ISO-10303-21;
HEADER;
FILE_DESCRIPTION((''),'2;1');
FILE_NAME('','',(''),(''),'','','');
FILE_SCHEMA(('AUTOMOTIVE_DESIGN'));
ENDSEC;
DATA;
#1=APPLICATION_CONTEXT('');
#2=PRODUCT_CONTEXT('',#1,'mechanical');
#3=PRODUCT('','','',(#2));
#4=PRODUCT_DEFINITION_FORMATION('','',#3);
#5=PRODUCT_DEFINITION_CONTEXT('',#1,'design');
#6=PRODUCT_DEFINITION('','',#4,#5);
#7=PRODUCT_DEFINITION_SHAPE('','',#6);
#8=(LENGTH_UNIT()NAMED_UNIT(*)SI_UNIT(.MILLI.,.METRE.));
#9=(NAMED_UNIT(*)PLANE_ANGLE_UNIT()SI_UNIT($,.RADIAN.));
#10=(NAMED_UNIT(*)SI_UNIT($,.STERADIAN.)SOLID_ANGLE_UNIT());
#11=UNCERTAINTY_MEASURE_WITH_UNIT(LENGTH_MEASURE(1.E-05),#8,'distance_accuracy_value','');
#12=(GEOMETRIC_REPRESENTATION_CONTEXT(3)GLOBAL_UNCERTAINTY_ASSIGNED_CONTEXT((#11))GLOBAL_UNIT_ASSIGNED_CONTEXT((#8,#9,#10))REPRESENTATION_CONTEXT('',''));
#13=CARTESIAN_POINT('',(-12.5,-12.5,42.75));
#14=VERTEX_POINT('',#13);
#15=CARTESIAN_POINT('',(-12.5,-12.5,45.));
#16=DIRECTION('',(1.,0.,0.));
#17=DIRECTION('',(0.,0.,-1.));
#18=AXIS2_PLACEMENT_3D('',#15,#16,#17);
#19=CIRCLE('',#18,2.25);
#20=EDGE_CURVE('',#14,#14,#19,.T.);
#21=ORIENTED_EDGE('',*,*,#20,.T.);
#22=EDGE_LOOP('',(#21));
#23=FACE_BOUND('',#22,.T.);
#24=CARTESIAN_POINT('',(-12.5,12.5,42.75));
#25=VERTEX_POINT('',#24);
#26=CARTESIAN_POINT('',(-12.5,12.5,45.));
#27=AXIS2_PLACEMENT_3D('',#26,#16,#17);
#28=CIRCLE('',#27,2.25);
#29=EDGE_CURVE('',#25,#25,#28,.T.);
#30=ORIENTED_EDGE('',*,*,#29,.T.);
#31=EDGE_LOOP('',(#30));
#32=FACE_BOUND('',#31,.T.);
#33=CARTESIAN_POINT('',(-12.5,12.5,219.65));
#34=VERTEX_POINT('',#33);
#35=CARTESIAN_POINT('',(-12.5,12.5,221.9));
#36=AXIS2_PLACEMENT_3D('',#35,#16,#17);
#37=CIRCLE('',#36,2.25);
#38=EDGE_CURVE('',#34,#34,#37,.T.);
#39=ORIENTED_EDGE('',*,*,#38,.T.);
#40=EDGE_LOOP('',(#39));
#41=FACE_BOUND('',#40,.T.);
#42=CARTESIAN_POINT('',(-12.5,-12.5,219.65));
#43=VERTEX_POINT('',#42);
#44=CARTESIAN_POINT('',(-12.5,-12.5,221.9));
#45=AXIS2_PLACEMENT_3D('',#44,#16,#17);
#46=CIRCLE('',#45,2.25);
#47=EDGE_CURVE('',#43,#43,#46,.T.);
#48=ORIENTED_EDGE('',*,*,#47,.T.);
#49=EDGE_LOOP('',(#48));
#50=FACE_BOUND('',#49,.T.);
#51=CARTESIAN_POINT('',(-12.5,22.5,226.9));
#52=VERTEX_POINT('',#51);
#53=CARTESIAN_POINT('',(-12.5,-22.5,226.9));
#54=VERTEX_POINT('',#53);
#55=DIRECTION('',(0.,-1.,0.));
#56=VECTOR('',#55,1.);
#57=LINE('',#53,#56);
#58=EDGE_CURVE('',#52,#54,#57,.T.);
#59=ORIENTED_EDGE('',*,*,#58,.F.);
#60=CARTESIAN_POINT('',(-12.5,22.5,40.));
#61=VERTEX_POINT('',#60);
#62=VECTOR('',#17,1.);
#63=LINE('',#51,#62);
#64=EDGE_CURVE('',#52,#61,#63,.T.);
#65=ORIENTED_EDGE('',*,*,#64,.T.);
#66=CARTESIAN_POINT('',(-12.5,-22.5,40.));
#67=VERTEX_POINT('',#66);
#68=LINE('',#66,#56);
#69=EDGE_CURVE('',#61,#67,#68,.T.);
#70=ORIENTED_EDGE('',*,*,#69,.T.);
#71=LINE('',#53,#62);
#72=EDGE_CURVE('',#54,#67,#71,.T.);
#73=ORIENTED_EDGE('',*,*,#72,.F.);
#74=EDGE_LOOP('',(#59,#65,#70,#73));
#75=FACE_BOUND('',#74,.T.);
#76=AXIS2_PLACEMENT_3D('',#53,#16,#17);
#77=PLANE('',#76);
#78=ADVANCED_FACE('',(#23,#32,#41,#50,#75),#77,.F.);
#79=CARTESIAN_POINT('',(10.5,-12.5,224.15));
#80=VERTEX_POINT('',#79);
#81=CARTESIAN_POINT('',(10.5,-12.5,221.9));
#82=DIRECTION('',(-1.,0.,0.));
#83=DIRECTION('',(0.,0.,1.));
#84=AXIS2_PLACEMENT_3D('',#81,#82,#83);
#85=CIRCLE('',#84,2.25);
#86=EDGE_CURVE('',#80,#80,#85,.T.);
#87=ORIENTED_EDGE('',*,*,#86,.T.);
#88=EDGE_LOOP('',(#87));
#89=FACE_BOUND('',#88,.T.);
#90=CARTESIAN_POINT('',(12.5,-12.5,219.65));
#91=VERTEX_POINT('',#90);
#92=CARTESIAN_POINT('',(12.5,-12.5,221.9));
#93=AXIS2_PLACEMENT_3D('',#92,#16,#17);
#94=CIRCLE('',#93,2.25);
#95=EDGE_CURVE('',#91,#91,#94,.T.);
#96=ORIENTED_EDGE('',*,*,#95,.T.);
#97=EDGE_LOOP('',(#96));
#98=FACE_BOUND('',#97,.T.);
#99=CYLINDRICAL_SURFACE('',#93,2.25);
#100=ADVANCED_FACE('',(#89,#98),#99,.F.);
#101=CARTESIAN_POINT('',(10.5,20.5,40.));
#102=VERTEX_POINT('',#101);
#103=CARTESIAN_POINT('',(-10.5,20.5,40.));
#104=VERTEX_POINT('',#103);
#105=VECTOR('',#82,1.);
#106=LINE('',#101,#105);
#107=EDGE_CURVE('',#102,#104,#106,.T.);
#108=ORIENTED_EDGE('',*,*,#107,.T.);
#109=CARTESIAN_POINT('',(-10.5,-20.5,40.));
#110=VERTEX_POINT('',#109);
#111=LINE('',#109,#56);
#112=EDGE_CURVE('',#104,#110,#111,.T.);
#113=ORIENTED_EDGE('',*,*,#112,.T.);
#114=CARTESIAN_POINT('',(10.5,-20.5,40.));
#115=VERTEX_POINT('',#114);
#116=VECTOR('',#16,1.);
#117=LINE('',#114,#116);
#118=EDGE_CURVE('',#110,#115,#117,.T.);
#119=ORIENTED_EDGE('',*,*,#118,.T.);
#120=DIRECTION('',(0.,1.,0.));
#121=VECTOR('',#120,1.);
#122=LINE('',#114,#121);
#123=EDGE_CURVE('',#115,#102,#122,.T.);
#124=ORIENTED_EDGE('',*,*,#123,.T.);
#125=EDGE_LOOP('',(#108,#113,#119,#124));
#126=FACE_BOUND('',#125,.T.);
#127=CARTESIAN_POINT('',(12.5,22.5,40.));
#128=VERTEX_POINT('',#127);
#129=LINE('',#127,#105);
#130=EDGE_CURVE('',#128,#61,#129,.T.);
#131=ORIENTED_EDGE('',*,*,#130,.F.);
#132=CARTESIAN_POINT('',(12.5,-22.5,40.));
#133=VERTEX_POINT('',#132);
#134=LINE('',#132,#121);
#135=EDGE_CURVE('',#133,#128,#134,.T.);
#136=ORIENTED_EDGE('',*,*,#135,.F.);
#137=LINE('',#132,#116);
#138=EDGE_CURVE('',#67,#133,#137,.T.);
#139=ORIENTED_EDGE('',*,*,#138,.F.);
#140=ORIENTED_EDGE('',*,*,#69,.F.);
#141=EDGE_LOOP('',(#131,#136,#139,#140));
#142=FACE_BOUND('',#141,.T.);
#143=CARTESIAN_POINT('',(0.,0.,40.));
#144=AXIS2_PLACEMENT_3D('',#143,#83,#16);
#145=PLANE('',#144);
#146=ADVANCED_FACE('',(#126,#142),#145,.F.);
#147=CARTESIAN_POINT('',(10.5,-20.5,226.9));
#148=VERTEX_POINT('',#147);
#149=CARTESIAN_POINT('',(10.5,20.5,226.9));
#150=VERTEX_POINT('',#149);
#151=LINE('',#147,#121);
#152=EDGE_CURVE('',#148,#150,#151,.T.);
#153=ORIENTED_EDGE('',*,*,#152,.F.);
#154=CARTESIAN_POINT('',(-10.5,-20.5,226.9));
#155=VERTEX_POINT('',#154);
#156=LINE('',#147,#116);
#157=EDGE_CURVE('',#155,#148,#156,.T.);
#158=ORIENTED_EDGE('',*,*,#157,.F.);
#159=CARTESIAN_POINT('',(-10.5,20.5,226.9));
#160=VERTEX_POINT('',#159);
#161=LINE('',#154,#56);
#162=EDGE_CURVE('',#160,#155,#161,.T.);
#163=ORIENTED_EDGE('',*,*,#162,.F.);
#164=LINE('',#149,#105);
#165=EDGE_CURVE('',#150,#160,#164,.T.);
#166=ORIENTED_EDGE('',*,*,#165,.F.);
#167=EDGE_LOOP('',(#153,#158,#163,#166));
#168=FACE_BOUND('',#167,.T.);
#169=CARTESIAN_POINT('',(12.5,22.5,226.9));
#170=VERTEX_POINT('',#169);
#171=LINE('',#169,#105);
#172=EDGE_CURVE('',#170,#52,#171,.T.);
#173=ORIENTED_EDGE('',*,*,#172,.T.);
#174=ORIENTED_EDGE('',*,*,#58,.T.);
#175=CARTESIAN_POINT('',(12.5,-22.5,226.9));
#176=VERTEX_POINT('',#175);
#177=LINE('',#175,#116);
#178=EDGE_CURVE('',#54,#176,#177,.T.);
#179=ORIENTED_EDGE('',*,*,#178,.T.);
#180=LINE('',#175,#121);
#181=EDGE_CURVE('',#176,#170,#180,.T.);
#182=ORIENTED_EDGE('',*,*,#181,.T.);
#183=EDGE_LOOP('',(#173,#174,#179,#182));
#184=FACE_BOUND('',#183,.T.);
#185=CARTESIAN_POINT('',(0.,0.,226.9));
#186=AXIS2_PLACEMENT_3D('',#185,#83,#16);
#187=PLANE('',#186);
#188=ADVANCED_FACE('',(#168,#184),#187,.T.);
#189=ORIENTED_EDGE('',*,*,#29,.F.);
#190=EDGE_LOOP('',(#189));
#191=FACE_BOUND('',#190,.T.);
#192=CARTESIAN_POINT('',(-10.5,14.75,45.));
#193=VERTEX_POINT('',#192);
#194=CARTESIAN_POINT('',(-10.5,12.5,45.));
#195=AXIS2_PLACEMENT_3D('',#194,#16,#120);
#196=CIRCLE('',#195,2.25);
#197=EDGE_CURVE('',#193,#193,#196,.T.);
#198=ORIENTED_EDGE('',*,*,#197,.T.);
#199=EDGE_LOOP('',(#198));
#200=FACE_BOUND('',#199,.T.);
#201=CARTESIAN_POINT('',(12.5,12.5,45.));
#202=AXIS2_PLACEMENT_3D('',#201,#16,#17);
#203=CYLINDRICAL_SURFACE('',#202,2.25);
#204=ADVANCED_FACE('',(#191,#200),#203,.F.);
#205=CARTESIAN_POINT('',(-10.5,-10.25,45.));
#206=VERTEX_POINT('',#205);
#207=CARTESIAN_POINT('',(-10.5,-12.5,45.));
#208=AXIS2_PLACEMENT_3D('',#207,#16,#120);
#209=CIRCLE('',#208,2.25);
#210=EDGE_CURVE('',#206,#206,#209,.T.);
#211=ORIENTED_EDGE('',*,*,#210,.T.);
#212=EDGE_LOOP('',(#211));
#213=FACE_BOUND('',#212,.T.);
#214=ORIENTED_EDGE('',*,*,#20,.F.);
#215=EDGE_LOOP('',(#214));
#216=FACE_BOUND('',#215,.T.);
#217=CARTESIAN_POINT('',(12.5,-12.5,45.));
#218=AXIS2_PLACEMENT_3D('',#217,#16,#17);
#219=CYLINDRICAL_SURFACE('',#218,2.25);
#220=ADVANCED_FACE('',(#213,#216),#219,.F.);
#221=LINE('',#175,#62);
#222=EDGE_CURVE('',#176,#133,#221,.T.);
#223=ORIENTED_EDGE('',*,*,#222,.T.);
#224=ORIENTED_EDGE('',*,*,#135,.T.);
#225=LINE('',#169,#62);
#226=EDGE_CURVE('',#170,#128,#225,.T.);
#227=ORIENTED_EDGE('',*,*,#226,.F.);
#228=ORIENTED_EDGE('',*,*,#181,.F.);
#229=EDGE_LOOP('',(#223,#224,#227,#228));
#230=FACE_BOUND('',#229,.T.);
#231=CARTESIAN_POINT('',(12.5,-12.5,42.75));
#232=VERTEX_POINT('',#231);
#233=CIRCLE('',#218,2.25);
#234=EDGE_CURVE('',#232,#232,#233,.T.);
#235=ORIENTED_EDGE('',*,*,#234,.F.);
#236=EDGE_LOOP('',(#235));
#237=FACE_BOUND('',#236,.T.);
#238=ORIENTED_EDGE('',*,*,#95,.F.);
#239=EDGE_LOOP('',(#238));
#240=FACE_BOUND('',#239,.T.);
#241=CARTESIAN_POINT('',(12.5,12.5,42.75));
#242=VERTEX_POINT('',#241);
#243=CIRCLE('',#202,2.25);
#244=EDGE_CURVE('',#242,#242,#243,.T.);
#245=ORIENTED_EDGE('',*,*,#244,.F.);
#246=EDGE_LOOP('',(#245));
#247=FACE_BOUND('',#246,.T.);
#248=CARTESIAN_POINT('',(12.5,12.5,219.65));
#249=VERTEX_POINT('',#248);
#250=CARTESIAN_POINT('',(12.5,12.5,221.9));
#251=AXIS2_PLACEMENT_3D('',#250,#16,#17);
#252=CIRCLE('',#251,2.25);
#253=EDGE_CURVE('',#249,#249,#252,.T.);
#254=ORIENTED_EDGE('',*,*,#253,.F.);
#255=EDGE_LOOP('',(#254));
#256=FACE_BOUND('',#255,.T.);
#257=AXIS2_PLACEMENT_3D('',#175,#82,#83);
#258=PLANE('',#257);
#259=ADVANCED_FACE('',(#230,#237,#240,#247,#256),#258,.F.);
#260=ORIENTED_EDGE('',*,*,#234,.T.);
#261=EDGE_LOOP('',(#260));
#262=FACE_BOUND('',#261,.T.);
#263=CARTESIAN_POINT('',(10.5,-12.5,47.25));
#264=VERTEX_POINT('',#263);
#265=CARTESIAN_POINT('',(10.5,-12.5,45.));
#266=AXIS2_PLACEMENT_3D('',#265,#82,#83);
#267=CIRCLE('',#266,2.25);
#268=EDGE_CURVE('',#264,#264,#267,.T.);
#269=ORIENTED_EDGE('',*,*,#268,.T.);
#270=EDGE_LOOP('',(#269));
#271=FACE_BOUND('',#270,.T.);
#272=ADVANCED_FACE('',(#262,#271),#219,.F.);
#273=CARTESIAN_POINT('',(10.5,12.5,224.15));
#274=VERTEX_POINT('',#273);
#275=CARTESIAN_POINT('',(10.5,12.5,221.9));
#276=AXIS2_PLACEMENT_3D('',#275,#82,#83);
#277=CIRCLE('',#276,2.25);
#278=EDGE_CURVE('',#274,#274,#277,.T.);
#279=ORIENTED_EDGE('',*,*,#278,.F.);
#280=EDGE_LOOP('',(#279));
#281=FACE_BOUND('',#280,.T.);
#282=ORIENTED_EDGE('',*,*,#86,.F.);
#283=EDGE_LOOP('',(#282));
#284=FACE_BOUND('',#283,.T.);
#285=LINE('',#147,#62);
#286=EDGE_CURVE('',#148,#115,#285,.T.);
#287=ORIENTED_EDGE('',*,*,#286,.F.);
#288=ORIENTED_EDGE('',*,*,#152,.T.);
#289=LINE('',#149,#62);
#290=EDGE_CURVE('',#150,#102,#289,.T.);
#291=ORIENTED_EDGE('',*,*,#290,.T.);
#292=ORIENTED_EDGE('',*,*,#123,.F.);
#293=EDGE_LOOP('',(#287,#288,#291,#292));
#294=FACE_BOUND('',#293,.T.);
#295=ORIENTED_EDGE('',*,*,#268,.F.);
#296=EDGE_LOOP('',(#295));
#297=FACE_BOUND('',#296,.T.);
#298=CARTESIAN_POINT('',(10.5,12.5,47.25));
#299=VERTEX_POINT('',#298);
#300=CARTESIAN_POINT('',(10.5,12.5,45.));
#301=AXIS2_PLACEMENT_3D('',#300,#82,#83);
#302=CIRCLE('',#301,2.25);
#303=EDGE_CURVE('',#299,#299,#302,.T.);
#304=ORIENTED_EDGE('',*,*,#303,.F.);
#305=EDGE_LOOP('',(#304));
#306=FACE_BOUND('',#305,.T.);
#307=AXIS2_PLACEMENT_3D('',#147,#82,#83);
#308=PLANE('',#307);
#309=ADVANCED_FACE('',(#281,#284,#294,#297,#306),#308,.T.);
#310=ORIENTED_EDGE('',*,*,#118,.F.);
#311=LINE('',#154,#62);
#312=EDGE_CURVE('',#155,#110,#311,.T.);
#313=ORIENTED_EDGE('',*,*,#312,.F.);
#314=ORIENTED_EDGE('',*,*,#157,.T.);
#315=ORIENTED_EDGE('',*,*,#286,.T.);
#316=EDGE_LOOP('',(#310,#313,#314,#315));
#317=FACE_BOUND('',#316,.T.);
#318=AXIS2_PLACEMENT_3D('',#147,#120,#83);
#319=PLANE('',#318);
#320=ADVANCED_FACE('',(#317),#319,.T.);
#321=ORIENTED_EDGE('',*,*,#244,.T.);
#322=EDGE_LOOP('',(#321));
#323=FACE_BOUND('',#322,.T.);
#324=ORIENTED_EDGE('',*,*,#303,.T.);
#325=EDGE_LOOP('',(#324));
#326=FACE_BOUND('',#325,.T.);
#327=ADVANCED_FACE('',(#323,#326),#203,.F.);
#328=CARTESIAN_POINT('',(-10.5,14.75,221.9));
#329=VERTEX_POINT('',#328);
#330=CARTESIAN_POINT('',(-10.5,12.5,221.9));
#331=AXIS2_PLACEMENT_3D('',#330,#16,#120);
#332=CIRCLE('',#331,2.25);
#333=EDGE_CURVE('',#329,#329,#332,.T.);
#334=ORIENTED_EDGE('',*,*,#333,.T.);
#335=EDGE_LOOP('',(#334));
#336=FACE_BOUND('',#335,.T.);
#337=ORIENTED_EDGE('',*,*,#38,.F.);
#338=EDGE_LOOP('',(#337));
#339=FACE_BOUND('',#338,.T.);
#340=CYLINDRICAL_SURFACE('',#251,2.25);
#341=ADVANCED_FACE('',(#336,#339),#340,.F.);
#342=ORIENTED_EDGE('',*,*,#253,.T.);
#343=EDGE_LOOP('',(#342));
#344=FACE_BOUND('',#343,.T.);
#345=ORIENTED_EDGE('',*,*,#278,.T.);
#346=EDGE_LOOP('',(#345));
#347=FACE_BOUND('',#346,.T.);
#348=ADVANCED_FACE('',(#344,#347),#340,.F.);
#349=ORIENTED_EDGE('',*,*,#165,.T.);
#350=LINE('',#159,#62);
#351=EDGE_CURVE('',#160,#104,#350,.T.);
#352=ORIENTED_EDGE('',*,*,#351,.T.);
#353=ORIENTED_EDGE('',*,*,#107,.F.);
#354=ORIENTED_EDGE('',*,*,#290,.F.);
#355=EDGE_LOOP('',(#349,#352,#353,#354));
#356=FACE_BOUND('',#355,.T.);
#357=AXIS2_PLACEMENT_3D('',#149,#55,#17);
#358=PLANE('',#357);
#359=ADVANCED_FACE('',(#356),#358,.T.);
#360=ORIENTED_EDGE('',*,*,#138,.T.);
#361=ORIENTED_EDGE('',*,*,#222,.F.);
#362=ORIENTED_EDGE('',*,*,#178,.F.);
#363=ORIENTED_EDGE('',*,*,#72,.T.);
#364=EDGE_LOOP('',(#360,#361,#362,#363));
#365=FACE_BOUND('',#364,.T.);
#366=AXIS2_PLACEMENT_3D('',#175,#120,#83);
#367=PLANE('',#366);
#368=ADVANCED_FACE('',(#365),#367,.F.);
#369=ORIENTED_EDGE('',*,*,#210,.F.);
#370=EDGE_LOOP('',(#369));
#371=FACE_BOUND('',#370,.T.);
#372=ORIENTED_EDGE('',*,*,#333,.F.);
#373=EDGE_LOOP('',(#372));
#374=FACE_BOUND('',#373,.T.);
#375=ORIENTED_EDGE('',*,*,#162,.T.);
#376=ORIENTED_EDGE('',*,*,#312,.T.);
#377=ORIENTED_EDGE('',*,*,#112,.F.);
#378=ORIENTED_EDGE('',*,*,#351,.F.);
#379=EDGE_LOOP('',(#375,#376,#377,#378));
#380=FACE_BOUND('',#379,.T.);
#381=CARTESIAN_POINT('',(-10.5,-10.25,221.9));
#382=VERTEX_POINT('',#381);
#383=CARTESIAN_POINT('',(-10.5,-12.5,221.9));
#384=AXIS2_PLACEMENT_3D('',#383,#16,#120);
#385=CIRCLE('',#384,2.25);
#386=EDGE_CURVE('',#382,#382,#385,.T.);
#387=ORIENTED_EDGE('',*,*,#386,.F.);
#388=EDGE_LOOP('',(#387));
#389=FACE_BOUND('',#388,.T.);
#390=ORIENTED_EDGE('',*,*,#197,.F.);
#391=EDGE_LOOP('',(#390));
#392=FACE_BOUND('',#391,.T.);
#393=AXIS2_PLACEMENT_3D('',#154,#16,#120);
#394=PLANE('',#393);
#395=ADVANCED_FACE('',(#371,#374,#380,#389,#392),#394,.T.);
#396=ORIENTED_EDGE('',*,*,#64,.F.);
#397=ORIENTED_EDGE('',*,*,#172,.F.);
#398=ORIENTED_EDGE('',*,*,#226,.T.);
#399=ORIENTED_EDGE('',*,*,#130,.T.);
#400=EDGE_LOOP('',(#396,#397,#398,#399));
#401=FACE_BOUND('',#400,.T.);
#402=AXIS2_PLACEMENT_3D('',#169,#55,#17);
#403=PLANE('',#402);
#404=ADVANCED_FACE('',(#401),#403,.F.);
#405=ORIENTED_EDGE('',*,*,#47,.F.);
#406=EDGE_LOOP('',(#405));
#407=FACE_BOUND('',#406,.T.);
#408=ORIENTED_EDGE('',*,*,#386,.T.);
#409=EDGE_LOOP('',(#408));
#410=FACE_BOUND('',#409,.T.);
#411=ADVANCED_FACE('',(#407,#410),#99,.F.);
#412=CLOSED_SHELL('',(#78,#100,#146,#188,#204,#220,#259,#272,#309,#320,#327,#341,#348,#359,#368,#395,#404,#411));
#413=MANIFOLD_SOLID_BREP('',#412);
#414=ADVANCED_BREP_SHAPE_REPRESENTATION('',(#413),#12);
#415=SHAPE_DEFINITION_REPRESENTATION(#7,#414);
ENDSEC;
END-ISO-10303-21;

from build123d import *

# Parameters (mm, degrees)
SKETCH1_W            = 25
SKETCH1_H            = 45
SKETCH1_W_2          = 21
SKETCH1_H_2          = 41
BOSS_EXTRUDE1_DEPTH  = 186.9
M4_CLEARANCE_HOLE1_D = 4.5


with BuildPart() as part:
    # Sketch1 → Boss-Extrude1 (new body)
    with BuildSketch(Plane.XY.offset(40)):
        Rectangle(SKETCH1_W, SKETCH1_H)
        Rectangle(SKETCH1_W_2, SKETCH1_H_2, mode=Mode.SUBTRACT)
    extrude(amount=BOSS_EXTRUDE1_DEPTH)

    # M4 Clearance Hole1 (through all)
    with Locations(Plane(origin=(12.5, 0, 0), x_dir=(0, 0, -1), z_dir=(1, 0, 0))):
        with Locations((-45, -12.5), (-45, 12.5), (-221.9, 12.5), (-221.9, -12.5)):
            Hole(M4_CLEARANCE_HOLE1_D / 2)


solid = part.part
